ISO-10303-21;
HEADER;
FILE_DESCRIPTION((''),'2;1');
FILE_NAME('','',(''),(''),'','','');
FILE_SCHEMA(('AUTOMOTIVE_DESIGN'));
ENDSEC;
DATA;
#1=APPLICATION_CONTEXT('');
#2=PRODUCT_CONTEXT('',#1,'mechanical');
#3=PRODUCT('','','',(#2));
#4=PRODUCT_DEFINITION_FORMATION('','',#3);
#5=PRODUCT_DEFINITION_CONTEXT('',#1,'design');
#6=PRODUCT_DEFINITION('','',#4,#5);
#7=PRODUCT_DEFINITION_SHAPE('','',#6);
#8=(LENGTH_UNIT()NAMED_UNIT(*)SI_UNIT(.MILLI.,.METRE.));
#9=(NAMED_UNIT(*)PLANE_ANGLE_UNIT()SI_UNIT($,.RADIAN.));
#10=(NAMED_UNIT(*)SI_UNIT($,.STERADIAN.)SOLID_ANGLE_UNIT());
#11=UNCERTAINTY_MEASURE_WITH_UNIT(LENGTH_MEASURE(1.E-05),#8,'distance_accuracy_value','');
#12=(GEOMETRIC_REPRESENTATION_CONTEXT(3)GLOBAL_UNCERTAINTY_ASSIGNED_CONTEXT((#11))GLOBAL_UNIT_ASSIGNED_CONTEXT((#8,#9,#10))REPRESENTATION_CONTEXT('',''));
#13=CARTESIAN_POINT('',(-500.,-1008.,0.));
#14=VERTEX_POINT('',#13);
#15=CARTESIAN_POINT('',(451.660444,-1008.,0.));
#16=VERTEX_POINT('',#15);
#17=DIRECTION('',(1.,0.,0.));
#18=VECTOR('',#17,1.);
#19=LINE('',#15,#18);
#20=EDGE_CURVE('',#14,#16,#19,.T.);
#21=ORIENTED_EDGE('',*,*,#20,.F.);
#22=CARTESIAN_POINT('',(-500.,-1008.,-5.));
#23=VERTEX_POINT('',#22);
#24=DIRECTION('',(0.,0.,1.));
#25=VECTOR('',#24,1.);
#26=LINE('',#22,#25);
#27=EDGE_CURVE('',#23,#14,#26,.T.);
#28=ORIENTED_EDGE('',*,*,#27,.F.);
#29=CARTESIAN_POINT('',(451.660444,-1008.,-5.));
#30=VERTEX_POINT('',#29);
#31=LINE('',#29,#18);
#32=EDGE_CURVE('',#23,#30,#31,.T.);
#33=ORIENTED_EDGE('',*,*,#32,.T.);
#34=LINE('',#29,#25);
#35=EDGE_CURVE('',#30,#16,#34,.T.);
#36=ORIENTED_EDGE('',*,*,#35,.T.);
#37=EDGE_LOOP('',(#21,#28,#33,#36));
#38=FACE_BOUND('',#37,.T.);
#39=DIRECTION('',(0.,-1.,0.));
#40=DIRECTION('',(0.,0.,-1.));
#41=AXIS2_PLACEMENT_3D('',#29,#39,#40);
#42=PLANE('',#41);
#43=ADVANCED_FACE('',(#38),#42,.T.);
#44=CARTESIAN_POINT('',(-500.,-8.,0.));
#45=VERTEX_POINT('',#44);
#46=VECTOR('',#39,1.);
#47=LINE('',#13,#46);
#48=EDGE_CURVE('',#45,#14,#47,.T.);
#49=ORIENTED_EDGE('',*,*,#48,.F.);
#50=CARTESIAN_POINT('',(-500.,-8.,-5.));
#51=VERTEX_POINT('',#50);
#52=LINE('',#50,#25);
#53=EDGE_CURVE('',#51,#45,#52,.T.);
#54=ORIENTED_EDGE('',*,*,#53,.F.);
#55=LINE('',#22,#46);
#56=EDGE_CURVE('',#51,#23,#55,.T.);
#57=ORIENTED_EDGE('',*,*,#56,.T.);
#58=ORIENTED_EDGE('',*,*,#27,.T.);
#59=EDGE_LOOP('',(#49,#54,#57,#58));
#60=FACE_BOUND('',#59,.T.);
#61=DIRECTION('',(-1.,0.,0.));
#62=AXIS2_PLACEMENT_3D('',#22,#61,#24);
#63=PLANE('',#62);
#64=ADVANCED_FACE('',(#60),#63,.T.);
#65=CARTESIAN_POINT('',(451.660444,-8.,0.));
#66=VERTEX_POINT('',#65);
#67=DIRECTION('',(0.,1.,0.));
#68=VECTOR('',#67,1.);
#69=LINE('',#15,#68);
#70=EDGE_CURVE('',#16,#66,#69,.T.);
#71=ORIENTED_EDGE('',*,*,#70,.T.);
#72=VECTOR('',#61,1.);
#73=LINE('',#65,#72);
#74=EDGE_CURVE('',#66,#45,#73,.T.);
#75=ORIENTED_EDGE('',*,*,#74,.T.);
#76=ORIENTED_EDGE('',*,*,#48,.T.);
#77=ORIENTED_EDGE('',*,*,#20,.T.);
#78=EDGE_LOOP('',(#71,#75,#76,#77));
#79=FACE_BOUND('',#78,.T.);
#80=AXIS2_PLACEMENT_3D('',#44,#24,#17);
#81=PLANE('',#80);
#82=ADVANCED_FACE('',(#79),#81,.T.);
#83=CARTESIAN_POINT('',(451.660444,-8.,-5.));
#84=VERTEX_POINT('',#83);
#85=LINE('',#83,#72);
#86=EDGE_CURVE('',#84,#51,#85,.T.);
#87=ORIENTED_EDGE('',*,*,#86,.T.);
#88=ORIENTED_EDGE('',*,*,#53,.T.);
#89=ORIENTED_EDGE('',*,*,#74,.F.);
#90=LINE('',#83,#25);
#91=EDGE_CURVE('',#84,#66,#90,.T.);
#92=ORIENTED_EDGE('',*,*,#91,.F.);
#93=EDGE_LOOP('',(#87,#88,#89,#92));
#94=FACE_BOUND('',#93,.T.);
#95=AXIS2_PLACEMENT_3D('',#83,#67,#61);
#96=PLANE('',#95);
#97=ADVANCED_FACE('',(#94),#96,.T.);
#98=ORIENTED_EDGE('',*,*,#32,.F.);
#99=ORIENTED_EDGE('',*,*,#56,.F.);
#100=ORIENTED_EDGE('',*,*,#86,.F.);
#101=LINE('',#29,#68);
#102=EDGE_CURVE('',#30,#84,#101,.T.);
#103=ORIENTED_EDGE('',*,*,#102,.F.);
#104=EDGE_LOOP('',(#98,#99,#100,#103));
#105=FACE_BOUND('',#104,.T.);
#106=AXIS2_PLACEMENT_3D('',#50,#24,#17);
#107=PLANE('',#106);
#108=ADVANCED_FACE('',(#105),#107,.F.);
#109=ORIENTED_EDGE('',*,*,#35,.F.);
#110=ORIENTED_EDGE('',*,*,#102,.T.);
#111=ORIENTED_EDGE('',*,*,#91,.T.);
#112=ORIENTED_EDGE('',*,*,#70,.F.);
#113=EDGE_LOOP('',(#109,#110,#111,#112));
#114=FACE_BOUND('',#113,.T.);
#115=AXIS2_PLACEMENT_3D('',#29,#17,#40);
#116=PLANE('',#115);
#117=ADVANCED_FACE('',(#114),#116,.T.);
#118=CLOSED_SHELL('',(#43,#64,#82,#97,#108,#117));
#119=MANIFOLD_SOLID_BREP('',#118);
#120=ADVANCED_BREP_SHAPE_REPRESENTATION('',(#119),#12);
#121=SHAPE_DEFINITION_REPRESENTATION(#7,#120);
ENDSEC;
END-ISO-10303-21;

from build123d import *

# Parameters (mm, degrees)
SKETCH1_W      = 951.660443771
SKETCH1_H      = 1000
EXTRUDE1_DEPTH = 5


with BuildPart() as part:
    # Sketch1 → Extrude1 (new body)
    with BuildSketch(Plane.XY):
        with Locations((-24.169778115, -508)):
            Rectangle(SKETCH1_W, SKETCH1_H)
    extrude(amount=-EXTRUDE1_DEPTH)


solid = part.part
